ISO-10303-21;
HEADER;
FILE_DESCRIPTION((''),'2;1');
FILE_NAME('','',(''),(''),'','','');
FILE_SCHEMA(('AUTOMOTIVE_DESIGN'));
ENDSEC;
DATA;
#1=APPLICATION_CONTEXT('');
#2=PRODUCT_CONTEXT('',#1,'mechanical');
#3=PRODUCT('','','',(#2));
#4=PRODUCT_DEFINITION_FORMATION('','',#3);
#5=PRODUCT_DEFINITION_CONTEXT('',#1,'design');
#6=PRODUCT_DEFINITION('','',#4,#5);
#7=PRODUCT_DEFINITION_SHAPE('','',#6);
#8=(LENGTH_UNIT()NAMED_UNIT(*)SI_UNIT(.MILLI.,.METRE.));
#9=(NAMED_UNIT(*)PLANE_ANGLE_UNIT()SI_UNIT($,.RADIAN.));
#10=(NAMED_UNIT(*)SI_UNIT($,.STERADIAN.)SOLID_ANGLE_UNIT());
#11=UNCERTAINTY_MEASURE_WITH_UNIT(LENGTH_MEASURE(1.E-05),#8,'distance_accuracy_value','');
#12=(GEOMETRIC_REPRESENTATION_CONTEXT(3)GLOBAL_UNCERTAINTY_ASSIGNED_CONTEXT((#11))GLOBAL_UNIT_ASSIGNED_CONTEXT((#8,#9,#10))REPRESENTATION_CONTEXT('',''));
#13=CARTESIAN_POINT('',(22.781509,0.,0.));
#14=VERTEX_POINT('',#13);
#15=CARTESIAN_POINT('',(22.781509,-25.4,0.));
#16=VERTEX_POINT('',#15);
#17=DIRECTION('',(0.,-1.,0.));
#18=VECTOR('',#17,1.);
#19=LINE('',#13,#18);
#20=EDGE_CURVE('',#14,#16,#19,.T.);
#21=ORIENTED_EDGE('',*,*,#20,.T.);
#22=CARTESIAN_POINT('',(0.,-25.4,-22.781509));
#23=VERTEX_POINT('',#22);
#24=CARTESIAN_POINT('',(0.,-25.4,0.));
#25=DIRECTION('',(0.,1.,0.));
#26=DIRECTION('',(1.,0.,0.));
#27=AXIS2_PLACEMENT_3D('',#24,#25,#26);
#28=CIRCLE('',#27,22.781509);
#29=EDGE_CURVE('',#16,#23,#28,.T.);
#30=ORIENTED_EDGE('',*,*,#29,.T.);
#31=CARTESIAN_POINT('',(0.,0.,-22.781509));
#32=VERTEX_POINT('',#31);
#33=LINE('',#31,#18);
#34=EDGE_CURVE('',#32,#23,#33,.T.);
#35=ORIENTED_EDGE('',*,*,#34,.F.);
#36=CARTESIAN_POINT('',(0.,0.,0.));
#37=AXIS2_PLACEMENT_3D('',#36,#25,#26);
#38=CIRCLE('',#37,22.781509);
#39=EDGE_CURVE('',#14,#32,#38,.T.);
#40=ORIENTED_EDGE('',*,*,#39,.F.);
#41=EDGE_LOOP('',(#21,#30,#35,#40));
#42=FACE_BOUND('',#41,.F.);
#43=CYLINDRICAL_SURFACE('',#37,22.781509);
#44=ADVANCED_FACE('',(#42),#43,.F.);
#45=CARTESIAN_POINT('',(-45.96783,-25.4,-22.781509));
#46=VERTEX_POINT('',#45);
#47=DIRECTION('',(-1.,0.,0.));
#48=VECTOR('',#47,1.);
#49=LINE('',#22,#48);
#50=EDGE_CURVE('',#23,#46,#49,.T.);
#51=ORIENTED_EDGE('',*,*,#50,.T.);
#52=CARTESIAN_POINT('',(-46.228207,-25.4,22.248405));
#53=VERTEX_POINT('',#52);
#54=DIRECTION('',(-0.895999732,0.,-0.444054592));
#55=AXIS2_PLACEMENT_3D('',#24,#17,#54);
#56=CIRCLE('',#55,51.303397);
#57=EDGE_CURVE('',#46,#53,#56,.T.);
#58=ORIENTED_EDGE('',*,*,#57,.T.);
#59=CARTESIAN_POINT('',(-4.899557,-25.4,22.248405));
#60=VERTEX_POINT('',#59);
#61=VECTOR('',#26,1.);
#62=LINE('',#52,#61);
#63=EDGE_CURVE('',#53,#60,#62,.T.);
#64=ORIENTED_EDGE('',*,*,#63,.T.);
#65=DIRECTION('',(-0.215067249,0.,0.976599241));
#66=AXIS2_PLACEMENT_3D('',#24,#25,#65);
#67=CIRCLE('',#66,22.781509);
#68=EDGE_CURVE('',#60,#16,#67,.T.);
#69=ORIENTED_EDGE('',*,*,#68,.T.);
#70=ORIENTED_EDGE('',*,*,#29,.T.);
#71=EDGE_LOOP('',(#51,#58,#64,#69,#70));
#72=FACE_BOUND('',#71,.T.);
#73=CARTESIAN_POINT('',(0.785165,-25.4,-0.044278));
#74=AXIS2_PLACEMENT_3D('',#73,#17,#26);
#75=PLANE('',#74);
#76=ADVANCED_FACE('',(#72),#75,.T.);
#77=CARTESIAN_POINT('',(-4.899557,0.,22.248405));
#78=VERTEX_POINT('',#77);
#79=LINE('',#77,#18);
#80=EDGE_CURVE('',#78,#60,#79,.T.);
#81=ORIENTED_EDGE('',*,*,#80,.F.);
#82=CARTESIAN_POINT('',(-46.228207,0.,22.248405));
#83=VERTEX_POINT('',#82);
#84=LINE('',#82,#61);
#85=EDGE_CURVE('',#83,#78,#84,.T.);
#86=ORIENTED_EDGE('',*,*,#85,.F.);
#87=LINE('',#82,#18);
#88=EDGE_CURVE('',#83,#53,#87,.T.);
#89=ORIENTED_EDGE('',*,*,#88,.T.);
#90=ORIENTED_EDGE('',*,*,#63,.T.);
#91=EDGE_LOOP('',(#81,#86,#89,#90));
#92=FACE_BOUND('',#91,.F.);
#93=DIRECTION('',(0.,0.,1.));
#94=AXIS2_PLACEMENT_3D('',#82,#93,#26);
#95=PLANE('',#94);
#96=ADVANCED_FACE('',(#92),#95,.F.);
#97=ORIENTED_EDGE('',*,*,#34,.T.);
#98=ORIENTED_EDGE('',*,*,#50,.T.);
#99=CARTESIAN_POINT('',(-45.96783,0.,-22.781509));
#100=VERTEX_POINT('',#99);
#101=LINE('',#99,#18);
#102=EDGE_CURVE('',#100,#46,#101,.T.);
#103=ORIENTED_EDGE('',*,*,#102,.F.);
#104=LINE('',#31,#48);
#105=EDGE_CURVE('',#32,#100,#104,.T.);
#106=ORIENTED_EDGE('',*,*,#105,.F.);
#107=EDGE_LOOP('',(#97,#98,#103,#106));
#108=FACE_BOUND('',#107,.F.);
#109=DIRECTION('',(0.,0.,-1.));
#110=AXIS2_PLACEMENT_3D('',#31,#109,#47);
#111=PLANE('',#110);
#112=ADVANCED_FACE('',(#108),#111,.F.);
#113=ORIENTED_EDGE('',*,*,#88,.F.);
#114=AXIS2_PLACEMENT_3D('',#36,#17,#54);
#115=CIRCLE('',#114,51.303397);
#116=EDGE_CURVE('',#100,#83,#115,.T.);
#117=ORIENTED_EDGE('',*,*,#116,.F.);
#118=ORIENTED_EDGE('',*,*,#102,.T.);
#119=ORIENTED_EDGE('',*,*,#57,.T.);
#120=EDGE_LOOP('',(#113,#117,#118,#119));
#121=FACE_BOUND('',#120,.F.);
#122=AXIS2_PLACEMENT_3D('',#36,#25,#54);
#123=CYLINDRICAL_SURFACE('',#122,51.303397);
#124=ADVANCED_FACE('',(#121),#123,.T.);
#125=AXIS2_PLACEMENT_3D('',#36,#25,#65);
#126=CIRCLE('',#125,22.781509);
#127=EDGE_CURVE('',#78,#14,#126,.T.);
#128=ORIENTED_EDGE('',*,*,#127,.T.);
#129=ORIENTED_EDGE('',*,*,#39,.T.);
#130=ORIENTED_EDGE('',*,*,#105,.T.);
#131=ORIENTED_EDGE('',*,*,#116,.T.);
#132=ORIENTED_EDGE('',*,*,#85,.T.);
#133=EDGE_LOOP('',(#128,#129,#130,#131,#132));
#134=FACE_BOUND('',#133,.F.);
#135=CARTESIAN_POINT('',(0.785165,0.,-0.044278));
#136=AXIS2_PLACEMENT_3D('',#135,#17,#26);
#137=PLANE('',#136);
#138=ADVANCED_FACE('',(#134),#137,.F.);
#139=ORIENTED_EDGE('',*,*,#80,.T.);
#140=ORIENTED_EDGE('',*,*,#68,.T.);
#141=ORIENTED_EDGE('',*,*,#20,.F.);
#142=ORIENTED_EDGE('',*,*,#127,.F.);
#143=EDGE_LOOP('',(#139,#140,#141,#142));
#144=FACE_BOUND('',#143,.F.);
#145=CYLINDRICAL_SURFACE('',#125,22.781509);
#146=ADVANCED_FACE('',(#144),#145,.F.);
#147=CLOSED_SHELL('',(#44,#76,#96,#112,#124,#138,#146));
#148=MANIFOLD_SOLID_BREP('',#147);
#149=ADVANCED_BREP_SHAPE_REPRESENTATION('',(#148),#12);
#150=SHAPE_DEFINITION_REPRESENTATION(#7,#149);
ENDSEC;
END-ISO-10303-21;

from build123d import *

# Parameters (mm, degrees)
F1_DEPTH = 25.4


with BuildPart() as f1:
    # F0 (on Front) → F1 (new body)
    with BuildSketch(Plane.XZ):
        with BuildLine():
            ThreePointArc((-45.9678303927, -22.7815092248), (11.6989896867, -49.9516990089), (51.3033974856, 0))
            ThreePointArc((51.3033974856, 0), (11.4099635295, 50.0185098321), (-46.2282065968, 22.2484046263))
            Line((-46.2282065968, 22.2484046263), (-4.8995565251, 22.2484046263))
            ThreePointArc((-4.8995565251, 22.2484046263), (14.2719632564, 17.7569205485), (22.7815092248, 0))
            ThreePointArc((22.7815092248, 0), (16.1089596585, -16.1089596585), (0, -22.7815092248))
            Line((0, -22.7815092248), (-45.9678303927, -22.7815092248))
        make_face()
    extrude(amount=F1_DEPTH)


solid = f1.part
